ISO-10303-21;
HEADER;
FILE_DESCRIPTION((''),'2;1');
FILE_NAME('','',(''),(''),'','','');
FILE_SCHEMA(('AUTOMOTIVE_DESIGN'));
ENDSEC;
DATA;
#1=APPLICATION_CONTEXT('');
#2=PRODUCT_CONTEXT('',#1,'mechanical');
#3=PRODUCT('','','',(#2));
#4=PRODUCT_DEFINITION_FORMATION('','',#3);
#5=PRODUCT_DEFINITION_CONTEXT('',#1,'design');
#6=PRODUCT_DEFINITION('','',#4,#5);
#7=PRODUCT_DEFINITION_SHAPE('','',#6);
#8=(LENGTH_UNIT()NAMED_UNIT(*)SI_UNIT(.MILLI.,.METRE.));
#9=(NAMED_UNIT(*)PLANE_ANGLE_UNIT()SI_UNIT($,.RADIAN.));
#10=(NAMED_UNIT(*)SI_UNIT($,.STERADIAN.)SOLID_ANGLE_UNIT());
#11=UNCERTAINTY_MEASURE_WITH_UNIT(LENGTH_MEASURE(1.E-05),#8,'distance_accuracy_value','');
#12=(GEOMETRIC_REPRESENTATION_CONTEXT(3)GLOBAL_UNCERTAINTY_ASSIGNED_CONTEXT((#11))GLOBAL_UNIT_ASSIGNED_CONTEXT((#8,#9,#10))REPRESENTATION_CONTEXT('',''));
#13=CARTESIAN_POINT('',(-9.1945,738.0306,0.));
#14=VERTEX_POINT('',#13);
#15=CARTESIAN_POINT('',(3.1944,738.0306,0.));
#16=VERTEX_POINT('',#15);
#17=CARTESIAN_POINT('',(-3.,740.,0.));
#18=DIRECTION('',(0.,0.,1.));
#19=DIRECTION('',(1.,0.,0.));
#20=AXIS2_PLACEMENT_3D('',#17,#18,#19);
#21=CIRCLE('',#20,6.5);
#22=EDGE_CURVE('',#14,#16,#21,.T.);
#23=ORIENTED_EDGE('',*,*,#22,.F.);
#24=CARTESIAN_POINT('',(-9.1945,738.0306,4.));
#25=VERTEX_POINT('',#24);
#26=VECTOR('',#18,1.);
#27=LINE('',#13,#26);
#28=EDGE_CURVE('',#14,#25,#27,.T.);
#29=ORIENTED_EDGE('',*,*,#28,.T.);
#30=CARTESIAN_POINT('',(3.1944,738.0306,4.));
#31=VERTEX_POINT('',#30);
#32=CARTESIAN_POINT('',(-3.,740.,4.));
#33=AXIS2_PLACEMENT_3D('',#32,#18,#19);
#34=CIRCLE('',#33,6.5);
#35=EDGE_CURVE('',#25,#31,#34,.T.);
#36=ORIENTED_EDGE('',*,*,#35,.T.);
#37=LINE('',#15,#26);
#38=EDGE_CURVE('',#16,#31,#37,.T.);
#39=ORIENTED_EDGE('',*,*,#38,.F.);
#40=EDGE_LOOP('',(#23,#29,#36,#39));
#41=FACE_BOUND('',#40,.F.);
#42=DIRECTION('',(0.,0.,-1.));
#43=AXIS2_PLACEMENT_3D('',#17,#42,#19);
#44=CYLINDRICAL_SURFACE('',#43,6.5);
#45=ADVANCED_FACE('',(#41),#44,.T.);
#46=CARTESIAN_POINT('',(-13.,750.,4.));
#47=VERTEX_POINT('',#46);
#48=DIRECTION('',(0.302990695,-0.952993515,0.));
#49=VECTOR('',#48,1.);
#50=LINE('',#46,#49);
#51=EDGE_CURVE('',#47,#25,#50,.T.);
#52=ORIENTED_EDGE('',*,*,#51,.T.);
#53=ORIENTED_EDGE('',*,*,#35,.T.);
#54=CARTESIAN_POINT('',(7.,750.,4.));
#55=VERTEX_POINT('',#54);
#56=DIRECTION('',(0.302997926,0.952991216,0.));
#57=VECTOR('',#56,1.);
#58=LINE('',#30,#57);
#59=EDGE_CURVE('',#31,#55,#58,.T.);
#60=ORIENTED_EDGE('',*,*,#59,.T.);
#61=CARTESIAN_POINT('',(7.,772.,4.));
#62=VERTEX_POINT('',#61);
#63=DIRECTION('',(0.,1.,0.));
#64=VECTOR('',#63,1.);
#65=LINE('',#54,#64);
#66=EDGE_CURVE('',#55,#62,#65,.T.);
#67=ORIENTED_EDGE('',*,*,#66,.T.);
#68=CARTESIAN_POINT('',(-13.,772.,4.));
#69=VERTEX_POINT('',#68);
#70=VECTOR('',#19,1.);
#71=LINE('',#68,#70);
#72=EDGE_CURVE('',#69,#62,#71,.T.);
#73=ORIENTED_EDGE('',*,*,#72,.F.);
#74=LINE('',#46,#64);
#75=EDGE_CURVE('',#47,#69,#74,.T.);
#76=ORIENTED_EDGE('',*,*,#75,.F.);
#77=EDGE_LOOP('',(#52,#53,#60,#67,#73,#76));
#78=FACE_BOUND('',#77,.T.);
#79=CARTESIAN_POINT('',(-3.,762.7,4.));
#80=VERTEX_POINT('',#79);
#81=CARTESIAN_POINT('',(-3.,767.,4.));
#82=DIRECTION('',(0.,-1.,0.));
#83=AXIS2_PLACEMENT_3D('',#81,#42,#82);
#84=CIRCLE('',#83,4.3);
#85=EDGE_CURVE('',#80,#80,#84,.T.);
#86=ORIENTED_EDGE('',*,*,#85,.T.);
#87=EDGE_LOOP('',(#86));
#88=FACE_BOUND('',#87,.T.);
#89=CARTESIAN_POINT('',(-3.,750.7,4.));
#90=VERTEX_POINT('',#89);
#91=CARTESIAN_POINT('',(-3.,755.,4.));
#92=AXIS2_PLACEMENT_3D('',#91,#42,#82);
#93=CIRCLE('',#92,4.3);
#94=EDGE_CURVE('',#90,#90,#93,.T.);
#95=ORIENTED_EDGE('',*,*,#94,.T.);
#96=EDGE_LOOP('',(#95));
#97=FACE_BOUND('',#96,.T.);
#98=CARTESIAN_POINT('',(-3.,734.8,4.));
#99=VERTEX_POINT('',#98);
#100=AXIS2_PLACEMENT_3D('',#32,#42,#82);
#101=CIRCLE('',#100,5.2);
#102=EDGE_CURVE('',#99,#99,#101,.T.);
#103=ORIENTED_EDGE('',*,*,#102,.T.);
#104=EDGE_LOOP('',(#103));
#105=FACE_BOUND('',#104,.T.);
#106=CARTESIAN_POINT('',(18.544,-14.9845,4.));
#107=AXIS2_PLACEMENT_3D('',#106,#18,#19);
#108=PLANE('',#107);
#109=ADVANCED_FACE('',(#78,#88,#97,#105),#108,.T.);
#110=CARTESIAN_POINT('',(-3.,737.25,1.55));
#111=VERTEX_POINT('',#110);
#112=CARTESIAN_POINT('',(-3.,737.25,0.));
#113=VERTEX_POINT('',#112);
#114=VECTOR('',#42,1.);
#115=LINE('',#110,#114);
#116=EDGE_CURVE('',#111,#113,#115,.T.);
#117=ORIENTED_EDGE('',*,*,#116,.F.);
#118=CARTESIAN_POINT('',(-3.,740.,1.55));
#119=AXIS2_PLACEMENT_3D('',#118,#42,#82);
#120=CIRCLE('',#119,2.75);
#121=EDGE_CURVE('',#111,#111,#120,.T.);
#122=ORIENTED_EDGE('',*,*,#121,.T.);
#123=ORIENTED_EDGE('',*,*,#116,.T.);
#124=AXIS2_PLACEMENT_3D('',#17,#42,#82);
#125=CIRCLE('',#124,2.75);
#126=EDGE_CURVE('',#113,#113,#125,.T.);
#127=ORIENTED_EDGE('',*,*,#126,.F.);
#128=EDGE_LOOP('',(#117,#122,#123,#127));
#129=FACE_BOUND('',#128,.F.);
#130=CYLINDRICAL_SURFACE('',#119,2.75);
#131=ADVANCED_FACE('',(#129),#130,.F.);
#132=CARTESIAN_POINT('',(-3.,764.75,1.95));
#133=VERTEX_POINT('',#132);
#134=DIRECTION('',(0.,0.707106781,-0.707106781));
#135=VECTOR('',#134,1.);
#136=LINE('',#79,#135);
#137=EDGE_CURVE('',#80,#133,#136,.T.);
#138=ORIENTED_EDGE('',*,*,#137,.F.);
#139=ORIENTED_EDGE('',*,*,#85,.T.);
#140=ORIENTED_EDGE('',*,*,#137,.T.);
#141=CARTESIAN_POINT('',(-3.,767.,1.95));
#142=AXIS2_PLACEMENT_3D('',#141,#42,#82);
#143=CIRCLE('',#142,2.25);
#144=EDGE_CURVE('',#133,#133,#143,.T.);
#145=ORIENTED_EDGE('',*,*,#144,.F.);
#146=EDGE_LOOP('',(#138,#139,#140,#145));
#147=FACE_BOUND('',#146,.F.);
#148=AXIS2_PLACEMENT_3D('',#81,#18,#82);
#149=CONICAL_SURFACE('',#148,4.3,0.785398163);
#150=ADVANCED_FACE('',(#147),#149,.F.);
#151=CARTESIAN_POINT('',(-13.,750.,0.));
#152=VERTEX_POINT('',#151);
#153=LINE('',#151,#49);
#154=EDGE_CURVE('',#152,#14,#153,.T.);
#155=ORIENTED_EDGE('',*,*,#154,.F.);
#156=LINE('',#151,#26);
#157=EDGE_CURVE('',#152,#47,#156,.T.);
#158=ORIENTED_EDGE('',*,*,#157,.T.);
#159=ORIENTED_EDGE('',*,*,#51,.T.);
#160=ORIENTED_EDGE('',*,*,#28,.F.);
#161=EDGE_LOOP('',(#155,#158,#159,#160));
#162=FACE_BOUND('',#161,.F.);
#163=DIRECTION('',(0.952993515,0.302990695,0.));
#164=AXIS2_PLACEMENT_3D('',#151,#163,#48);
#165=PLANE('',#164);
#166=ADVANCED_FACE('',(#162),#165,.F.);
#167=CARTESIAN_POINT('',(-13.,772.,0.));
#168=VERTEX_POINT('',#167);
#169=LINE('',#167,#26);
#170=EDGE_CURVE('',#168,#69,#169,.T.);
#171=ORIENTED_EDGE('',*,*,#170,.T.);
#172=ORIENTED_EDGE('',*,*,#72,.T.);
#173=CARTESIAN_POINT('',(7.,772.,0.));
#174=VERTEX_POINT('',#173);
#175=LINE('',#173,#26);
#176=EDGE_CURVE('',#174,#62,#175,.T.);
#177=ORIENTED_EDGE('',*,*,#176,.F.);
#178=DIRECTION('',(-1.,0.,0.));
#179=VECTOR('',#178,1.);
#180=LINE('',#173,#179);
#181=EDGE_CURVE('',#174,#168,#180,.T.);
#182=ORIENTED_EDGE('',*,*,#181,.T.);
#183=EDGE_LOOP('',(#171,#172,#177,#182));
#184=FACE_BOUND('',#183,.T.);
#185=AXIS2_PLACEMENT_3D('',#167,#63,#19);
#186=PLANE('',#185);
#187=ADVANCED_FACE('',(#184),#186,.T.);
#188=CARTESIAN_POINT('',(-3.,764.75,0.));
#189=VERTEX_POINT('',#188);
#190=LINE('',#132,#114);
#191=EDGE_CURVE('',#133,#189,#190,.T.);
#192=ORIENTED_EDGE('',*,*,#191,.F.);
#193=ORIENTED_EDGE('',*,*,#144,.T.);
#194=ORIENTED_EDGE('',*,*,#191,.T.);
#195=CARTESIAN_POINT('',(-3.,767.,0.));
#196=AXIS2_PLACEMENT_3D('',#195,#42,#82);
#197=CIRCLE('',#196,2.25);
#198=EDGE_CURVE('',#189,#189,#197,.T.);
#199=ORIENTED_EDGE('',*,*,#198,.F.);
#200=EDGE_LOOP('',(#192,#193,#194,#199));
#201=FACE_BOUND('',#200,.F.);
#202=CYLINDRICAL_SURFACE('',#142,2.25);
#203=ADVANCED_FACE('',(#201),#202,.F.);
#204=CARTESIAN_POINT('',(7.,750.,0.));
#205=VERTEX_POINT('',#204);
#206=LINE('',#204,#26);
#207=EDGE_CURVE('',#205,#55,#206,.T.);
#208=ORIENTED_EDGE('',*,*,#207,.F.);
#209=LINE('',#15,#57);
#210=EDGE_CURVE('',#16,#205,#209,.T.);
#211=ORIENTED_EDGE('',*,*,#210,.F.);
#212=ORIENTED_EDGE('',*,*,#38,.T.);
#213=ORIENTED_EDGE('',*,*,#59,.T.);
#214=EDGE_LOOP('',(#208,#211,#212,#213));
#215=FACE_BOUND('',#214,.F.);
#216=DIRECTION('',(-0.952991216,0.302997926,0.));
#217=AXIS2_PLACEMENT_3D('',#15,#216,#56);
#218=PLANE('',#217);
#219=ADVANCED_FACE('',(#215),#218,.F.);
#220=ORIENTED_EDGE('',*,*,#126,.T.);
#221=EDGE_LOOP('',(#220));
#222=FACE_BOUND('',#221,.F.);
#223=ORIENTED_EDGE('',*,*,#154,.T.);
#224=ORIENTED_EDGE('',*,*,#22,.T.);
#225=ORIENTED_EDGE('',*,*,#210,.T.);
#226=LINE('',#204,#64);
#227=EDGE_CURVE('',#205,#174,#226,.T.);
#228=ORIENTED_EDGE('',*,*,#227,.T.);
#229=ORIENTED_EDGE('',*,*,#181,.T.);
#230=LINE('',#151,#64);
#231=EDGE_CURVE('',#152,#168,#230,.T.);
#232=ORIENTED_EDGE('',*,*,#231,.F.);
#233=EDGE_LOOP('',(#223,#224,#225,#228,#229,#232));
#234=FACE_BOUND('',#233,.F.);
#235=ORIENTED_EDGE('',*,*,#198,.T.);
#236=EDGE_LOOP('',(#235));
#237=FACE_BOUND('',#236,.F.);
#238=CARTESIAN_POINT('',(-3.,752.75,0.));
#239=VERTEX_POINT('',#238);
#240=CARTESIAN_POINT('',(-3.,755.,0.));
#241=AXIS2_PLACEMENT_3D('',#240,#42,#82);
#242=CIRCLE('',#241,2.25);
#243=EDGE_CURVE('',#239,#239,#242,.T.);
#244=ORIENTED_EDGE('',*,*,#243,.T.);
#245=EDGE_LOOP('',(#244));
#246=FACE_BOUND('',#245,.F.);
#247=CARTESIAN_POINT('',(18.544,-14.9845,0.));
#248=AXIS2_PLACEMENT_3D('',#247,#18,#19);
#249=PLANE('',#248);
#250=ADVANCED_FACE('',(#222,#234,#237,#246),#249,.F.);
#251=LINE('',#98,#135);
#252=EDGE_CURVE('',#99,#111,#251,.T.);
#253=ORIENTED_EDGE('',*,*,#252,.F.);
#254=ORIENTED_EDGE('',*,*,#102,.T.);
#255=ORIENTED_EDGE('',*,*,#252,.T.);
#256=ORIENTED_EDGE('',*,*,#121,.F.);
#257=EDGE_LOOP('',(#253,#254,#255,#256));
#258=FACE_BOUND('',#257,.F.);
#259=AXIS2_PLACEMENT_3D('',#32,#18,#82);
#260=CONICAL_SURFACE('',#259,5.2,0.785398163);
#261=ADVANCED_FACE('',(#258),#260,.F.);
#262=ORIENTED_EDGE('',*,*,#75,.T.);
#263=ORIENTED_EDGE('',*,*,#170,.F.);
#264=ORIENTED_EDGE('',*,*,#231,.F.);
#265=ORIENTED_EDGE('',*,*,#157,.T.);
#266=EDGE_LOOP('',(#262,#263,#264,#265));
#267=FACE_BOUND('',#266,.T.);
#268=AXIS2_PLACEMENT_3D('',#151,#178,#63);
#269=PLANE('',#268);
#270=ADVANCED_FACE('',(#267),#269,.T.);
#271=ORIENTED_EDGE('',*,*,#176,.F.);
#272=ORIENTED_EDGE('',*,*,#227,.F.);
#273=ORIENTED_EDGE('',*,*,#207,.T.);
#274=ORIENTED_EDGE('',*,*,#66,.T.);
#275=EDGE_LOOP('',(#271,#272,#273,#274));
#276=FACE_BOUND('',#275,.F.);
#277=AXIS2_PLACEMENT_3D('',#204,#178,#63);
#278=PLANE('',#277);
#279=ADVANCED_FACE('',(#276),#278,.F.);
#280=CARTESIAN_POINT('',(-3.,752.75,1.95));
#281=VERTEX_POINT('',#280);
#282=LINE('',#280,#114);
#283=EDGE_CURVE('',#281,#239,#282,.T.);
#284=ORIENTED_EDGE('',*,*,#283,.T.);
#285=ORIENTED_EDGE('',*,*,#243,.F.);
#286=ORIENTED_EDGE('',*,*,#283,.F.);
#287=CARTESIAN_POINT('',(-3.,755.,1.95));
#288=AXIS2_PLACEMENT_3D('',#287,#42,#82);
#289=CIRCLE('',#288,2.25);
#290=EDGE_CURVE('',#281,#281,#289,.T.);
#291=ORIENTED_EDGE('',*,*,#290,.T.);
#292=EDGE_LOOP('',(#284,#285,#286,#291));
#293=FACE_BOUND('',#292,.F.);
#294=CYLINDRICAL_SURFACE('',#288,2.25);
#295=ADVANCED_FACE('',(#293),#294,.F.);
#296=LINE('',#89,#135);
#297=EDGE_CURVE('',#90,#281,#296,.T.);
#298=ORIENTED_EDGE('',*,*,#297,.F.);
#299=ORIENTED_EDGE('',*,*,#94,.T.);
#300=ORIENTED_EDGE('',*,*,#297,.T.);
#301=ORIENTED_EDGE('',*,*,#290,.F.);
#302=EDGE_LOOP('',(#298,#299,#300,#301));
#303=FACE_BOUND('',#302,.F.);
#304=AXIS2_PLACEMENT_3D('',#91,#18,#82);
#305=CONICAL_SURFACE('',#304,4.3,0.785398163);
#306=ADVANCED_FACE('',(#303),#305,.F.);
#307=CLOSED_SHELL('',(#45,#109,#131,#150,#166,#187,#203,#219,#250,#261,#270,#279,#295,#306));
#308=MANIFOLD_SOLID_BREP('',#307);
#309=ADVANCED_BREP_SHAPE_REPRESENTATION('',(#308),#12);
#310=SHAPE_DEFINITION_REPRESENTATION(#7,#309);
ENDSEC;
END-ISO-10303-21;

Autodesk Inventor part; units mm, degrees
ref_plane "YZ Plane" through (0, 0, 0) normal (1, 0, 0) x (0, 1, 0)
ref_plane "XZ Plane" through (0, 0, 0) normal (0, 1, 0) x (-1, 0, 0)
ref_plane "XY Plane" through (0, 0, 0) normal (0, 0, 1) x (1, 0, 0)
ref_plane "Work Plane1" through (18.544, -14.9845, 0) normal (0, 0, 1) x (1, 0, 0)
sketch "Sketch1" plane through (18.544, -14.9845, 0) normal (0, 0, 1) x (1, 0, 0)
  line L0 (-31.544, 764.9845) -> (-24.544, 764.9845) projected
  line L1 (-24.544, 764.9845) -> (-24.544, 1014.9845) projected
  line L2 (-31.544, 1014.9845) -> (-24.544, 1014.9845) projected
  line L3 (-31.544, 764.9845) -> (-31.544, 1014.9845) projected
  line L4 (-18.544, 764.9845) -> (-11.544, 764.9845) projected
  line L5 (-11.544, 764.9845) -> (-11.544, 1014.9845) projected
  line L6 (-18.544, 1014.9845) -> (-11.544, 1014.9845) projected
  line L7 (-18.544, 764.9845) -> (-18.544, 1014.9845) projected
  circle A0 centre (-21.544, 754.9845) radius 2.5 projected
  line L8 (-21.544, 754.9845) -> (-21.544, 786.7892) construction
  line L9 (-31.544, 764.9845) -> (-27.7385, 753.0151)
  line L10 (-15.3496, 753.0151) -> (-11.544, 764.9845)
  circle A1 centre (-21.544, 754.9845) radius 6.5
  line L11 (-31.544, 764.9845) -> (-31.544, 786.9845)
  line L12 (-31.544, 786.9845) -> (-11.544, 786.9845)
  line L13 (-11.544, 764.9845) -> (-11.544, 786.9845)
  point P0 (-18.544, 14.9845)
  point P1 (-21.544, 769.9845)
  point P2 (-21.544, 781.9845)
  dimension "d0" = 5
  dimension "d1" = 12
  dimension "d2" = 4
  dimension "d3" = 5
extrude "Extrusion1" add sketch "Sketch1" along normal blind 4 contours L3 L12 L1 L0 | L0 L1 L12 L7 L4 L10 A1 L9 | A1 | L12 L5 L4 L7 | A0
sketch "Sketch2" plane through (18.544, -14.9845, 4) normal (0, 0, 1) x (1, 0, 0)
  point P0 (-18.544, 14.9845)
  point P1 (-21.544, 769.9845)
  point P2 (-21.544, 781.9845)
  point P3 (-21.544, 754.9845)
hole "Hole1" at (-3, 755, 4) at (-3, 767, 4) direction (0, 0, -1) diameter 4.5 end through all countersink diameter 8.6 countersink angle 90 clearance for "Countersunk Head GOST 12876-67" size "M4" standard "GOST"
hole "Hole2" at (-3, 740, 4) direction (0, 0, -1) diameter 5.5 end through all countersink diameter 10.4 countersink angle 90 clearance for "Countersunk Head GOST 12876-67" size "M5" standard "GOST"
properties part number "belt_tentioner_plane"
